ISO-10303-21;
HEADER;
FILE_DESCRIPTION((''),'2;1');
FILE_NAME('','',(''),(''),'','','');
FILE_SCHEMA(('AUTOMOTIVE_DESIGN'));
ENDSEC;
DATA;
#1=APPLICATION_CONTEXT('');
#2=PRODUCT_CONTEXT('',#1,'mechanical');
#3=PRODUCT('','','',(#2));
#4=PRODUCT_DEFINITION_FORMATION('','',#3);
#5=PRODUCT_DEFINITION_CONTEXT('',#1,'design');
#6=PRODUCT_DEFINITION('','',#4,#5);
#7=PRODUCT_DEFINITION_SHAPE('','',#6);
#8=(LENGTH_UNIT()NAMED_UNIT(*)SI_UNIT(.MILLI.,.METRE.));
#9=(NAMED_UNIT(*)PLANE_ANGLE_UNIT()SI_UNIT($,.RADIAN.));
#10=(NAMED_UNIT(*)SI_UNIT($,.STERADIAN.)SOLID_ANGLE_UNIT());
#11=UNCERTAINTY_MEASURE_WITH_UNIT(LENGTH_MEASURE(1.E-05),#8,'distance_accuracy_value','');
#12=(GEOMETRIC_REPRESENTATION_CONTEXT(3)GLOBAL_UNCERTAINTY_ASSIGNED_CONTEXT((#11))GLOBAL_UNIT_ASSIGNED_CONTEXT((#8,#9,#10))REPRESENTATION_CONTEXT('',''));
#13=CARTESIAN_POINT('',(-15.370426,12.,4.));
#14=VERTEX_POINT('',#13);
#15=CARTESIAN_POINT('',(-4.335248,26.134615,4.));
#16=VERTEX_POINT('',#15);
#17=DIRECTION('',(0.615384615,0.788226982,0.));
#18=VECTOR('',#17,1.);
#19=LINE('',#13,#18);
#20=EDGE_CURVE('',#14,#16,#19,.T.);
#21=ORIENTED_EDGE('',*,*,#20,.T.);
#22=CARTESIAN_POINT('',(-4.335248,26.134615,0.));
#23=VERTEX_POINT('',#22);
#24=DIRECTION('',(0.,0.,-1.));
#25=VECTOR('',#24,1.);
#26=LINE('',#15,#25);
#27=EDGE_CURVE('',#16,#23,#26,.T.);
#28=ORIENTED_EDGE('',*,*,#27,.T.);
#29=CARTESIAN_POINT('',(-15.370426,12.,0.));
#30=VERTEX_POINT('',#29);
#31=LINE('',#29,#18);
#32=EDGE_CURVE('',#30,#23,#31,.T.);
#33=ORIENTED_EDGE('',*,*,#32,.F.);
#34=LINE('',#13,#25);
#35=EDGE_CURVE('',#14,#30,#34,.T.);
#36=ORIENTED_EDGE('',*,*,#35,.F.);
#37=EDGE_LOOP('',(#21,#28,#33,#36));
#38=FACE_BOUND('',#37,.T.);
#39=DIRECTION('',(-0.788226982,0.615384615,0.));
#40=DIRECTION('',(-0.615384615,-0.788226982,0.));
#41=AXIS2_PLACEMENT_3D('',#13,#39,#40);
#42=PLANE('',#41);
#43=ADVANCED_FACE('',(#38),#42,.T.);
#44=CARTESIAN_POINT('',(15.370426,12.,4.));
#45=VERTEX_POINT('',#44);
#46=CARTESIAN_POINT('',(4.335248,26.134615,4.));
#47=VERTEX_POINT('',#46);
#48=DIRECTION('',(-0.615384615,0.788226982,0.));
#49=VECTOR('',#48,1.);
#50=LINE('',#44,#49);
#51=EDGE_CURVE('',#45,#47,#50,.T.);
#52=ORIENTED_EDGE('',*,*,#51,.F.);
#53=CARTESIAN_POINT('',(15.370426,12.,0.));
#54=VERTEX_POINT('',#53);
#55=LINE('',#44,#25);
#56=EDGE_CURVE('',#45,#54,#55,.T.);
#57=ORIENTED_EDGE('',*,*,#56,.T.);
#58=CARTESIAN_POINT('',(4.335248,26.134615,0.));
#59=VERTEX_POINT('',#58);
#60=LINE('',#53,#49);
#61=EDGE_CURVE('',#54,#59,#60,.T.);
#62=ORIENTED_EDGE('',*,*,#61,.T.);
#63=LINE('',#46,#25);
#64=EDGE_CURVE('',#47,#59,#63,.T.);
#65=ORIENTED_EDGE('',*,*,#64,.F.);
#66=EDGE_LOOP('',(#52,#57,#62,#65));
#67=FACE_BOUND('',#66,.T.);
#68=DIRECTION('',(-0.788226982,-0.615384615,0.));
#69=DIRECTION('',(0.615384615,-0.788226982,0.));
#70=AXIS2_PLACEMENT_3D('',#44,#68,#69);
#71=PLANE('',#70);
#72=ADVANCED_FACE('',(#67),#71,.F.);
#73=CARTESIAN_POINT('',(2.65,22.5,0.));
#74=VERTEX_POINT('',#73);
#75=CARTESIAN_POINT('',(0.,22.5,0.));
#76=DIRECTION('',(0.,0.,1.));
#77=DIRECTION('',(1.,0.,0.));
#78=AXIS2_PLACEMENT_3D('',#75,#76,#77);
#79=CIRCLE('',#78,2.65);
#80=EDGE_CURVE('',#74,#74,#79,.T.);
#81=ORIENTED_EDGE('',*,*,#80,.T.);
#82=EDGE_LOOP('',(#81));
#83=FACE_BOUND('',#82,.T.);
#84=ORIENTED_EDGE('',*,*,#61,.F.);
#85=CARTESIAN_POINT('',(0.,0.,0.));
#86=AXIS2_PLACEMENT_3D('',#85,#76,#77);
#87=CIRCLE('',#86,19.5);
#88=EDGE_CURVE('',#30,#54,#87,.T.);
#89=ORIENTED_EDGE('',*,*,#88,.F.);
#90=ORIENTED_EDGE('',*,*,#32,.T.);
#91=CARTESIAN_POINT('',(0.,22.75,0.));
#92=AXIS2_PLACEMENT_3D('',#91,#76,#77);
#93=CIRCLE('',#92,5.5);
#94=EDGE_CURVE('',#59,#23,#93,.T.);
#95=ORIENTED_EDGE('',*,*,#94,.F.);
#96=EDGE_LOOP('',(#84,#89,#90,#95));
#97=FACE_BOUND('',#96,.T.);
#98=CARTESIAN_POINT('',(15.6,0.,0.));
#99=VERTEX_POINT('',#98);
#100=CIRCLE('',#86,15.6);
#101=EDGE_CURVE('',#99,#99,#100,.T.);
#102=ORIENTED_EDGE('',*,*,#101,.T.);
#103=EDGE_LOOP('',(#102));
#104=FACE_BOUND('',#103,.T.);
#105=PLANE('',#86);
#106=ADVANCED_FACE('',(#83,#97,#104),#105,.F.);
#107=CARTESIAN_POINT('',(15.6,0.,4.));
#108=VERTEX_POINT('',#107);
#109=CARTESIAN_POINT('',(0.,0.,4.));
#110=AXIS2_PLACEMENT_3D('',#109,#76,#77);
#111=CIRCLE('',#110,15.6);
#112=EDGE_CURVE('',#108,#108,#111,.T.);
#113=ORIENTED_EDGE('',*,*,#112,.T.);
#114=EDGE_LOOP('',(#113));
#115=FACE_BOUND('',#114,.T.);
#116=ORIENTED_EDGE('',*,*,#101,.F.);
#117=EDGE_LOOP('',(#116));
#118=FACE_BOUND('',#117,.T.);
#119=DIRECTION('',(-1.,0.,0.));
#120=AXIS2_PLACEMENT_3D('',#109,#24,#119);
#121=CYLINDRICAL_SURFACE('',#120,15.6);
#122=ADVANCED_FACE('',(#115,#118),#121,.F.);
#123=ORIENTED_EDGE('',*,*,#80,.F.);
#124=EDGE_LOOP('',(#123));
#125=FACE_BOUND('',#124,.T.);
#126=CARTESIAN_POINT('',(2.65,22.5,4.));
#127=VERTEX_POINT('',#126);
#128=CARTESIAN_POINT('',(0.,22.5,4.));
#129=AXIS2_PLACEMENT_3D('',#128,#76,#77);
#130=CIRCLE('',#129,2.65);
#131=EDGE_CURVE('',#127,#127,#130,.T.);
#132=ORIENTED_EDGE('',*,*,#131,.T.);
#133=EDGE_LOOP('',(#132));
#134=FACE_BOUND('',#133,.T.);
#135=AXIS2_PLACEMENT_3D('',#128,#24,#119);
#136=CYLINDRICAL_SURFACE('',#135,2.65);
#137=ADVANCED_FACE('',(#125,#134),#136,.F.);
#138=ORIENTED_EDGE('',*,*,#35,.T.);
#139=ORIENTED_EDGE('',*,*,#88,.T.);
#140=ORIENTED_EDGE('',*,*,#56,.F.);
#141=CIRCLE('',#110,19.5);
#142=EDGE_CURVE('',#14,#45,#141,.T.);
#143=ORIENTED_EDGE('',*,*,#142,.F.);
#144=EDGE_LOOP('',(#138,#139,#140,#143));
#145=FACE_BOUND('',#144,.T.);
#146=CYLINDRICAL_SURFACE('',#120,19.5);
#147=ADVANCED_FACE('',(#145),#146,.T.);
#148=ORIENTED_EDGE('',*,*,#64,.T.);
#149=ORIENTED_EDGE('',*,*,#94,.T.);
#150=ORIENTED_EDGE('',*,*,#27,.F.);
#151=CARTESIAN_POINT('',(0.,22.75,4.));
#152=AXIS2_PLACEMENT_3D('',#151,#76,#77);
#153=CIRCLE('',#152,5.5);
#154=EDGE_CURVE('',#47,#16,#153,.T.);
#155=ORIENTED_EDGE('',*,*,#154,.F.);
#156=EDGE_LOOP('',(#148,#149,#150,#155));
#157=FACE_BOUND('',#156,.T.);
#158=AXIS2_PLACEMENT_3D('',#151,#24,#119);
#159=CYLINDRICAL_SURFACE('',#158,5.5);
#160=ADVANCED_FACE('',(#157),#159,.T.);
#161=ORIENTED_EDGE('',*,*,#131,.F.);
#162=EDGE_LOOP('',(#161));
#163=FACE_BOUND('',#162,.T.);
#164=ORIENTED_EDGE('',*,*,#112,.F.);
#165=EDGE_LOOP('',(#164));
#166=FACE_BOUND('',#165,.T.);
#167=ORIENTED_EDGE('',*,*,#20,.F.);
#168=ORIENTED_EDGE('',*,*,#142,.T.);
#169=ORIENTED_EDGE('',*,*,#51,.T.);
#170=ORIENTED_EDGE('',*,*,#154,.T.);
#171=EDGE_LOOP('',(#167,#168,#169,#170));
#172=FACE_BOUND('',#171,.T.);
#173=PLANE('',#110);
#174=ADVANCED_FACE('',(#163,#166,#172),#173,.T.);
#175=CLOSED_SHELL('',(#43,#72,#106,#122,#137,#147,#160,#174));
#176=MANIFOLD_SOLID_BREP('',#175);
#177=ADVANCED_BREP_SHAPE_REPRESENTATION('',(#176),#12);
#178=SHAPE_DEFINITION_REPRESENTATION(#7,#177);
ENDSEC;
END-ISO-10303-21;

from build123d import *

# Parameters (mm, degrees)
SKETCH1_R           = 19.5
SKETCH1_R_2         = 15.6
BOSS_EXTRUDE1_DEPTH = 4
SKETCH3_R           = 2.65
BOSS_EXTRUDE2_DEPTH = 4


with BuildPart() as part:
    # Sketch1 → Boss-Extrude1 (new body)
    with BuildSketch(Plane.XY):
        Circle(SKETCH1_R)
        Circle(SKETCH1_R_2, mode=Mode.SUBTRACT)
    extrude(amount=BOSS_EXTRUDE1_DEPTH)

    # Sketch3 → Boss-Extrude2 (add)
    with BuildSketch(Plane.XY):
        with BuildLine():
            Line((-15.370426149, 12), (-4.335248401, 26.134615385))
            ThreePointArc((-4.335248401, 26.134615385), (0, 28.25), (4.335248401, 26.134615385))
            Line((4.335248401, 26.134615385), (15.370426149, 12))
            ThreePointArc((15.370426149, 12), (0, 19.5), (-15.370426149, 12))
        make_face()
        with Locations((0, 22.5)):
            Circle(SKETCH3_R, mode=Mode.SUBTRACT)
    extrude(amount=BOSS_EXTRUDE2_DEPTH)


solid = part.part
